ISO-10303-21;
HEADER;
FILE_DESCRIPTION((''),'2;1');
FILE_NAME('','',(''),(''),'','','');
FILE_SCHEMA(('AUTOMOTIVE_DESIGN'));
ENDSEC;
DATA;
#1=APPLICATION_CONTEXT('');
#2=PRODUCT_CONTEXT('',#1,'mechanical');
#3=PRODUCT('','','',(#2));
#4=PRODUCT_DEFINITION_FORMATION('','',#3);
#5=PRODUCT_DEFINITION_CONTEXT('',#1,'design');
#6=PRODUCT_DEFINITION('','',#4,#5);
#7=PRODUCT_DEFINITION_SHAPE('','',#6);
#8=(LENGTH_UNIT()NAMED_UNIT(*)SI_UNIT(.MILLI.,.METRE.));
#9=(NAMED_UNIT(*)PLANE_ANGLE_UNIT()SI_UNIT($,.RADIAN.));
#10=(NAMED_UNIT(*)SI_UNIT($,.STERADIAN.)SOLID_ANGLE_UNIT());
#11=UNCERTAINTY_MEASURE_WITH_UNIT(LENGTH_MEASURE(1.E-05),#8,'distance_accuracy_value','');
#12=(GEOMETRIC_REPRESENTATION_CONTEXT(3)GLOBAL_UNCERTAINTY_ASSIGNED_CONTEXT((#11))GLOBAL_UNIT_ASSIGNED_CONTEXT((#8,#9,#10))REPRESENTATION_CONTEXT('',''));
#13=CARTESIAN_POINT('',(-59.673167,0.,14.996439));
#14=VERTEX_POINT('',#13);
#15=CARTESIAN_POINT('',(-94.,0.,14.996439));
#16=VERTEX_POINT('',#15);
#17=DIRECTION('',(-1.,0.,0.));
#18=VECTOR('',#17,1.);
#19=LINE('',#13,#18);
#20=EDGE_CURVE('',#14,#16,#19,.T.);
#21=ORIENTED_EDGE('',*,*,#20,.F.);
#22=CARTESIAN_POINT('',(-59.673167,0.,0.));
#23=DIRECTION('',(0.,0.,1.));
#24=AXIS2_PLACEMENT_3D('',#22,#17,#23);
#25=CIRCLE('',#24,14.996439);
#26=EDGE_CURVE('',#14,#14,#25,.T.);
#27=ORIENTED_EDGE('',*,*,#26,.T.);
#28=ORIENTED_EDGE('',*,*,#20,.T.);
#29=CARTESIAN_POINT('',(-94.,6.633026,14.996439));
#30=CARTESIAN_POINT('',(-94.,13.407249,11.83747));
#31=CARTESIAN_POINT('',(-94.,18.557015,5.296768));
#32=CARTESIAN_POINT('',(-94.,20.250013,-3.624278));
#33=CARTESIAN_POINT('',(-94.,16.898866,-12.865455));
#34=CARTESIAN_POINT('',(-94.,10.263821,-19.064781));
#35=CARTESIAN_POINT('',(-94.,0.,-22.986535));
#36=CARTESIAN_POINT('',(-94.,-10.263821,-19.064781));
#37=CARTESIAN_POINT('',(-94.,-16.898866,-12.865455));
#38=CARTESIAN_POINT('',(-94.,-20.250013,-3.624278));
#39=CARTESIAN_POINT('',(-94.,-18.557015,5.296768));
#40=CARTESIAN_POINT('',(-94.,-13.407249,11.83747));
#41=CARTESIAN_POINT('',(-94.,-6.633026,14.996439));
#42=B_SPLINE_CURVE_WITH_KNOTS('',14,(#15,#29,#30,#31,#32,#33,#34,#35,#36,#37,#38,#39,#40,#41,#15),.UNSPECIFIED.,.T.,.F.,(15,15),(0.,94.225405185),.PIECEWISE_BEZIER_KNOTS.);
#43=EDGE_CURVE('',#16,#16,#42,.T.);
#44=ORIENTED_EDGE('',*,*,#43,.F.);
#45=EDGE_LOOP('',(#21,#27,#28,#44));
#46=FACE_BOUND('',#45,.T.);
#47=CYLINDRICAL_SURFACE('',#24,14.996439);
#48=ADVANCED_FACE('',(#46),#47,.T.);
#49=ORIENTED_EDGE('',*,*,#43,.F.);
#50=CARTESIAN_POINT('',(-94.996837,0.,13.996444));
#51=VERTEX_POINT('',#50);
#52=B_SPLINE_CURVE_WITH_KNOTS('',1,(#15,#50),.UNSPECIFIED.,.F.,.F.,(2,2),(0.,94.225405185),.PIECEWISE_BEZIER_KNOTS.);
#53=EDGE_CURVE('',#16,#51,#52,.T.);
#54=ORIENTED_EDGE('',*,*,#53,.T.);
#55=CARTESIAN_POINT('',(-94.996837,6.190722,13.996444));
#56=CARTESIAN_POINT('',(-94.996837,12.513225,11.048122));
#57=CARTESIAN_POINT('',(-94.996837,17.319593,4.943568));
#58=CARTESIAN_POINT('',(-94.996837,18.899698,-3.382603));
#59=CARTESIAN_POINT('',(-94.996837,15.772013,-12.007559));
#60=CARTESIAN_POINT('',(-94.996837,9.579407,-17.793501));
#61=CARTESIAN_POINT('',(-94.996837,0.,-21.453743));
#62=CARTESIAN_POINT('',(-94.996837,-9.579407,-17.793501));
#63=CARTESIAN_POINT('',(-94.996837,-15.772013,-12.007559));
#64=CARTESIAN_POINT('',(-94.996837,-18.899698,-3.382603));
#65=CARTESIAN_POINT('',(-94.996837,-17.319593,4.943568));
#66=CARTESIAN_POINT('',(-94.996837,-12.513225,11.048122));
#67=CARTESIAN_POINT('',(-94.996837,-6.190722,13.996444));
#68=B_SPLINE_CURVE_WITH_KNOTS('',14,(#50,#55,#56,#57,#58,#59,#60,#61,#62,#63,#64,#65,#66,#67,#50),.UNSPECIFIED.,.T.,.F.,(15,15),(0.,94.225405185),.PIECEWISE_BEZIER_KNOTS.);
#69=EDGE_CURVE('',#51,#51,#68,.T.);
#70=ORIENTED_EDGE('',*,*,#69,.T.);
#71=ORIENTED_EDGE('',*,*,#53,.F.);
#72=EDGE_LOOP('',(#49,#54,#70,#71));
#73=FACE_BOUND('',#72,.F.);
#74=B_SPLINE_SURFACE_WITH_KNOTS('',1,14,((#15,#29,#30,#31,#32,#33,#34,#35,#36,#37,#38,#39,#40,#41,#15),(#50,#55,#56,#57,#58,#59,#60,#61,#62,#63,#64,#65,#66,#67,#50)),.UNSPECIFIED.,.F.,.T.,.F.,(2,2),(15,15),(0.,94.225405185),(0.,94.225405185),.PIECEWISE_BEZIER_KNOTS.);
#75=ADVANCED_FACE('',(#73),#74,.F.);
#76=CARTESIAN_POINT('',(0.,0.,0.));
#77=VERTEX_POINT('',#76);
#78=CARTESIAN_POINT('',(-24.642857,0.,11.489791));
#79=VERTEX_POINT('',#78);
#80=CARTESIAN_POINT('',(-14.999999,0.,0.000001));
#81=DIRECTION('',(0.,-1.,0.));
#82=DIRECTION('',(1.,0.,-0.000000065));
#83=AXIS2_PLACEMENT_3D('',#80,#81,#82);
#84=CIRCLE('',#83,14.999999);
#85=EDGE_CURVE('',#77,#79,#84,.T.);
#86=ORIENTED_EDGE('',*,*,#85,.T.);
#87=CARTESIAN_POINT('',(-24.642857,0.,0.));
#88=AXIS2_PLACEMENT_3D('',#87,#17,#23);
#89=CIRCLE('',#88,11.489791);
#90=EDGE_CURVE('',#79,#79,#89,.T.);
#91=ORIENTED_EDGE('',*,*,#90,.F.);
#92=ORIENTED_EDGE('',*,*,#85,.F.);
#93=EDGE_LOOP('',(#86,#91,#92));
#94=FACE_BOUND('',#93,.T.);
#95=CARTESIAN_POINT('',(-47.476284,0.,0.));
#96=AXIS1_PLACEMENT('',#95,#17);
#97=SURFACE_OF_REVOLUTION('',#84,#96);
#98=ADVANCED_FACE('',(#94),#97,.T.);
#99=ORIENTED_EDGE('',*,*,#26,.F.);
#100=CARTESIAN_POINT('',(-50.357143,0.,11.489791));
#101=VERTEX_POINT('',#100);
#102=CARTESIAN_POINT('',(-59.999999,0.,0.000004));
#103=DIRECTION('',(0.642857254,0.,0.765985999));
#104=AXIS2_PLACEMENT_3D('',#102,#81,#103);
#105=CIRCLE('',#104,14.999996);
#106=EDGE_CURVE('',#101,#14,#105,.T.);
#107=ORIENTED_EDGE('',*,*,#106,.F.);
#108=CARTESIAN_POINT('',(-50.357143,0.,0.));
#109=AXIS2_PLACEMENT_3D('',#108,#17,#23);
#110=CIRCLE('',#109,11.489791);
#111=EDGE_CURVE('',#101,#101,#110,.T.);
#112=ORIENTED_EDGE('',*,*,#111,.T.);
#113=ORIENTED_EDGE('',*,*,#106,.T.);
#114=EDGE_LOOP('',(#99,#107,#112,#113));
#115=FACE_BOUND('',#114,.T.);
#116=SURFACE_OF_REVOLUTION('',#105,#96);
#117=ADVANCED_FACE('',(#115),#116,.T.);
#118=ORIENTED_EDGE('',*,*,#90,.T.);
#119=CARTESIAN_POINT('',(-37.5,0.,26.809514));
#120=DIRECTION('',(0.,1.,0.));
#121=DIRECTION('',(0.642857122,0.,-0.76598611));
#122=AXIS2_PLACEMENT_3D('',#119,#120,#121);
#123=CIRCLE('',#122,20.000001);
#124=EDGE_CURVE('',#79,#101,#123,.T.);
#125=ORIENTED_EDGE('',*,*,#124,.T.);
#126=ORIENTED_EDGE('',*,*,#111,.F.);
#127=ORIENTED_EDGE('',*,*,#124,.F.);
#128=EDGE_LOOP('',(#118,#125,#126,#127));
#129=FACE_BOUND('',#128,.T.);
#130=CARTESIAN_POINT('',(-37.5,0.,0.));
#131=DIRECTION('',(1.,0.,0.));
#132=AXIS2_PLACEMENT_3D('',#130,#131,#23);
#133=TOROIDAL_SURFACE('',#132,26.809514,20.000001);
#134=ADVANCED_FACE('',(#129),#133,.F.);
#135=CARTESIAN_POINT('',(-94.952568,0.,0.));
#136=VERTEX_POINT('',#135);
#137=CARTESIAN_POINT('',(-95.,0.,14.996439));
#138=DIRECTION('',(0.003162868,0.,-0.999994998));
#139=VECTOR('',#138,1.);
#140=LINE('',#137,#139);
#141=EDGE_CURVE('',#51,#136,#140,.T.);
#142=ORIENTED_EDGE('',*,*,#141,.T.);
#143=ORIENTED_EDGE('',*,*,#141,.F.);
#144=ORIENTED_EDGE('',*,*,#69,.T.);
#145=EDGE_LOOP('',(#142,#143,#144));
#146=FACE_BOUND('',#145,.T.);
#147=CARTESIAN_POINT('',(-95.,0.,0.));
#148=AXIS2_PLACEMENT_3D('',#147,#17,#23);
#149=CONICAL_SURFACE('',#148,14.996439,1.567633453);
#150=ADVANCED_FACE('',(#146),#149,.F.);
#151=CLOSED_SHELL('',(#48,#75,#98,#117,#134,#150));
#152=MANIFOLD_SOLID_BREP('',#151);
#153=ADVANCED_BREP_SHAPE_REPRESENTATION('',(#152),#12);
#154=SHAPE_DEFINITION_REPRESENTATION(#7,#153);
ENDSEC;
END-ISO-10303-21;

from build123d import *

# Parameters (mm, degrees)
F2_SIZE = 1


with BuildPart() as f1:
    # F0 (on Front) → F1 (revolve)
    with BuildSketch(Plane.XZ):
        with BuildLine():
            Line((-94.952568, 0), (0, 0))
            ThreePointArc((0, 0), (-8.661343, 13.594905), (-24.642857, 11.489791))
            ThreePointArc((-24.642857, 11.489791), (-37.5, 6.809513), (-50.357143, 11.489791))
            ThreePointArc((-50.357143, 11.489791), (-54.715795, 14.038418), (-59.673167, 14.996439))
            Line((-59.673167, 14.996439), (-60.326833, 14.996439))
            Line((-60.326833, 14.996439), (-95, 14.996439))
            Line((-95, 14.996439), (-94.952568, 0))
        make_face()
    revolve(axis=Axis((-47.476284, 0, 0), (-1, 0, 0)))

    # F2
    f2_edges = [f1.edges().sort_by_distance(p)[0] for p in [
        (-95, 0, -14.996439),
    ]]
    chamfer(f2_edges, length=F2_SIZE)


solid = f1.part
